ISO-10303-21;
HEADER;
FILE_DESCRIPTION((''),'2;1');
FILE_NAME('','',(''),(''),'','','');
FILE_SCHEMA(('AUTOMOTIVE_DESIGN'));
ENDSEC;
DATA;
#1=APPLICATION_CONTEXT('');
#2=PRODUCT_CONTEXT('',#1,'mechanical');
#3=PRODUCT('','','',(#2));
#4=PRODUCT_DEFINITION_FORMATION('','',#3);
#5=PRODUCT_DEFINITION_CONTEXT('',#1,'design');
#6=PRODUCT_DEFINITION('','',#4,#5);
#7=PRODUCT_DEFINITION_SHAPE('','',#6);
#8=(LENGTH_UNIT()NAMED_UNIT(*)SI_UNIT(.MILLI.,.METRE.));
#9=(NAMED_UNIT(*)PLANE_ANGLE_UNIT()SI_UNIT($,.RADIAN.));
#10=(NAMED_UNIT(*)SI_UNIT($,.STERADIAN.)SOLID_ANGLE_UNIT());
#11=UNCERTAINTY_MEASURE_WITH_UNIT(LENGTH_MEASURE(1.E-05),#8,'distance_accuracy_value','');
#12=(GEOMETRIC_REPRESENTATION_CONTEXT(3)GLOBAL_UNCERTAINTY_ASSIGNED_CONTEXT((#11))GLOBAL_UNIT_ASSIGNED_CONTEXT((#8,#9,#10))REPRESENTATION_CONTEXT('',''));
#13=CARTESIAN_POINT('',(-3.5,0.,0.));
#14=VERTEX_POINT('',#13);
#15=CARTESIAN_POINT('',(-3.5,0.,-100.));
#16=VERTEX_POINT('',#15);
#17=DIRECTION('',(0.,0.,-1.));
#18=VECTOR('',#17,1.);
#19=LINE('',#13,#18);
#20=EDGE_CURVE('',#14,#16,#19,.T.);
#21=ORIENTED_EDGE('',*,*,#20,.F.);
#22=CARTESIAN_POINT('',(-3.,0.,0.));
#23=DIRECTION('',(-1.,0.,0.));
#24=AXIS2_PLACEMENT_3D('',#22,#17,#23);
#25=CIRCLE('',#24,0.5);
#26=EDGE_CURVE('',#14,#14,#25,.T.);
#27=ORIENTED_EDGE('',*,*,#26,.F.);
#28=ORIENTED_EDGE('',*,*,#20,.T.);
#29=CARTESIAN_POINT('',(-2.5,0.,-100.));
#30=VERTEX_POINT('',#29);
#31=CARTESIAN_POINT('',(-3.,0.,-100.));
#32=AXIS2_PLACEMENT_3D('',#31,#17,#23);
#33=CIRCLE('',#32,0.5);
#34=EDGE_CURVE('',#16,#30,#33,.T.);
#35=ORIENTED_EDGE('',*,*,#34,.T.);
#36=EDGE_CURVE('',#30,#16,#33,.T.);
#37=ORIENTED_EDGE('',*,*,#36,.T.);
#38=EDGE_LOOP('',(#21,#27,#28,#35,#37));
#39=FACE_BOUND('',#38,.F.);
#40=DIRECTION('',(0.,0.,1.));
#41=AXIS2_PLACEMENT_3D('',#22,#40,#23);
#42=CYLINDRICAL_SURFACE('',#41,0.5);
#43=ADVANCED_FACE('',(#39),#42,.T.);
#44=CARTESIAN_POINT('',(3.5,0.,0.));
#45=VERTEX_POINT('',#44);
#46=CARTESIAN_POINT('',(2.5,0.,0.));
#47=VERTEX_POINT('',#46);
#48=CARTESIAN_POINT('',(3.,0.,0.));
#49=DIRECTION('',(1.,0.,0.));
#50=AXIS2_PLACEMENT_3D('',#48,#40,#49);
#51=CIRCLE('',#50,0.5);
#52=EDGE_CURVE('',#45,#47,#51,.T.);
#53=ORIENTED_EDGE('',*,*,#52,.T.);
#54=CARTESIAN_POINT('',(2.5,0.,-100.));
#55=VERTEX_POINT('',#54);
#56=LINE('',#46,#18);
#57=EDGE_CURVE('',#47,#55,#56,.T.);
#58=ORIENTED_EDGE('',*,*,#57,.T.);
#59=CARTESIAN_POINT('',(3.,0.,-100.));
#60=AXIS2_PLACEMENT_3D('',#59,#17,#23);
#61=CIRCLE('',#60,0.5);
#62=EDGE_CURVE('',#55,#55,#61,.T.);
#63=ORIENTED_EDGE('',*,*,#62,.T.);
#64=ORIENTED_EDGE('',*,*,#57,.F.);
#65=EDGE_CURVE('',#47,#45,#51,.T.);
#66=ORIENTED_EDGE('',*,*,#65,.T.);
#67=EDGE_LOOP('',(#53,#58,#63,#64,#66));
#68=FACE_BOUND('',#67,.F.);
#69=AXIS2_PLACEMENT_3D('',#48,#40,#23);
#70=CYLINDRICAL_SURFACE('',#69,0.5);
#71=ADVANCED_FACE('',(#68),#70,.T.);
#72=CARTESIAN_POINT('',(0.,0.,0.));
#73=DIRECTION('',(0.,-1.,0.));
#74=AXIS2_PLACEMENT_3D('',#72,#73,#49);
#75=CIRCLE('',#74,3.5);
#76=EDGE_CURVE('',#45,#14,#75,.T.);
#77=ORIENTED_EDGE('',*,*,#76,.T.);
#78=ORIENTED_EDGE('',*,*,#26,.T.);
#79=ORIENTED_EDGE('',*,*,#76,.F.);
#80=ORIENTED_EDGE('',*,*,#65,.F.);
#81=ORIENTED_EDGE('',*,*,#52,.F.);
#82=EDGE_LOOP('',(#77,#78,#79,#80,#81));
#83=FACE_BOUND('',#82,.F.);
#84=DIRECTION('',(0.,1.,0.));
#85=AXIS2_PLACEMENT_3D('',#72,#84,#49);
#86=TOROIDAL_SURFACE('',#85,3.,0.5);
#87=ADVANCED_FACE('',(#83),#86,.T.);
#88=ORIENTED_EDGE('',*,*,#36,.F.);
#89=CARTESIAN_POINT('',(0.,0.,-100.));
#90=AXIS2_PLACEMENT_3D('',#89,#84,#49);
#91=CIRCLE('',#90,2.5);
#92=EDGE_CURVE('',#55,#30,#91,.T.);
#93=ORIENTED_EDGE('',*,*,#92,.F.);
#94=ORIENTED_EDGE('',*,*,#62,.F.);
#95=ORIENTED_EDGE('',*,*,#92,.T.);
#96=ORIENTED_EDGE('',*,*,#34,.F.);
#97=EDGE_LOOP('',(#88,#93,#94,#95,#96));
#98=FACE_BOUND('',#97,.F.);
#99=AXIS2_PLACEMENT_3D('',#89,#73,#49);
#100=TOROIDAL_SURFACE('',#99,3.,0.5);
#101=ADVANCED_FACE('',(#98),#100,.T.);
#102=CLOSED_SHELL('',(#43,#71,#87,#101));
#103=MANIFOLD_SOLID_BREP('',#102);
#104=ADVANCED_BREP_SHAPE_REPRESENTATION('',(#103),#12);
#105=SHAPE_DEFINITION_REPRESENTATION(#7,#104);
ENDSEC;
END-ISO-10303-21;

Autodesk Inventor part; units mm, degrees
ref_plane "YZ Plane" through (0, 0, 0) normal (1, 0, 0) x (0, 1, 0)
ref_plane "XZ Plane" through (0, 0, 0) normal (0, 1, 0) x (-1, 0, 0)
ref_plane "XY Plane" through (0, 0, 0) normal (0, 0, 1) x (1, 0, 0)
sketch "Sketch5" plane through (0, 0, 0) normal (0, 0, 1) x (1, 0, 0)
  circle A0 centre (3, 0) radius 0.5
  line L0 (0, -0.7) -> (0, 0.7) projected
  point P0 (0, 0)
  dimension "d8" = 1
  dimension "d9" = 3
revolve "Revolution1" add sketch "Sketch5" angle 180 about axis through (0, -10, 0) along (0, -1, 0)
sketch "Sketch6" plane through (3, 0, 0) normal (0, 0, -1) x (-1, 0, 0)
  circle A0 centre (0, 0) radius 0.5 projected
  circle A1 centre (6, 0) radius 0.5 projected
  point P0 (3, 0)
extrude "Extrusion1" add sketch "Sketch6" along normal blind 100
sketch "Sketch7" plane through (3, 0, -100) normal (0, 0, -1) x (-1, 0, 0)
  circle A0 centre (0, 0) radius 0.5 projected
  line L0 (3, -0.7) -> (3, 0.7) projected
  point P0 (3, 0)
revolve "Revolution2" add sketch "Sketch7" angle 180 about axis through (0, -10, -100) along (0, 1, 0)
properties part number "Rope"
